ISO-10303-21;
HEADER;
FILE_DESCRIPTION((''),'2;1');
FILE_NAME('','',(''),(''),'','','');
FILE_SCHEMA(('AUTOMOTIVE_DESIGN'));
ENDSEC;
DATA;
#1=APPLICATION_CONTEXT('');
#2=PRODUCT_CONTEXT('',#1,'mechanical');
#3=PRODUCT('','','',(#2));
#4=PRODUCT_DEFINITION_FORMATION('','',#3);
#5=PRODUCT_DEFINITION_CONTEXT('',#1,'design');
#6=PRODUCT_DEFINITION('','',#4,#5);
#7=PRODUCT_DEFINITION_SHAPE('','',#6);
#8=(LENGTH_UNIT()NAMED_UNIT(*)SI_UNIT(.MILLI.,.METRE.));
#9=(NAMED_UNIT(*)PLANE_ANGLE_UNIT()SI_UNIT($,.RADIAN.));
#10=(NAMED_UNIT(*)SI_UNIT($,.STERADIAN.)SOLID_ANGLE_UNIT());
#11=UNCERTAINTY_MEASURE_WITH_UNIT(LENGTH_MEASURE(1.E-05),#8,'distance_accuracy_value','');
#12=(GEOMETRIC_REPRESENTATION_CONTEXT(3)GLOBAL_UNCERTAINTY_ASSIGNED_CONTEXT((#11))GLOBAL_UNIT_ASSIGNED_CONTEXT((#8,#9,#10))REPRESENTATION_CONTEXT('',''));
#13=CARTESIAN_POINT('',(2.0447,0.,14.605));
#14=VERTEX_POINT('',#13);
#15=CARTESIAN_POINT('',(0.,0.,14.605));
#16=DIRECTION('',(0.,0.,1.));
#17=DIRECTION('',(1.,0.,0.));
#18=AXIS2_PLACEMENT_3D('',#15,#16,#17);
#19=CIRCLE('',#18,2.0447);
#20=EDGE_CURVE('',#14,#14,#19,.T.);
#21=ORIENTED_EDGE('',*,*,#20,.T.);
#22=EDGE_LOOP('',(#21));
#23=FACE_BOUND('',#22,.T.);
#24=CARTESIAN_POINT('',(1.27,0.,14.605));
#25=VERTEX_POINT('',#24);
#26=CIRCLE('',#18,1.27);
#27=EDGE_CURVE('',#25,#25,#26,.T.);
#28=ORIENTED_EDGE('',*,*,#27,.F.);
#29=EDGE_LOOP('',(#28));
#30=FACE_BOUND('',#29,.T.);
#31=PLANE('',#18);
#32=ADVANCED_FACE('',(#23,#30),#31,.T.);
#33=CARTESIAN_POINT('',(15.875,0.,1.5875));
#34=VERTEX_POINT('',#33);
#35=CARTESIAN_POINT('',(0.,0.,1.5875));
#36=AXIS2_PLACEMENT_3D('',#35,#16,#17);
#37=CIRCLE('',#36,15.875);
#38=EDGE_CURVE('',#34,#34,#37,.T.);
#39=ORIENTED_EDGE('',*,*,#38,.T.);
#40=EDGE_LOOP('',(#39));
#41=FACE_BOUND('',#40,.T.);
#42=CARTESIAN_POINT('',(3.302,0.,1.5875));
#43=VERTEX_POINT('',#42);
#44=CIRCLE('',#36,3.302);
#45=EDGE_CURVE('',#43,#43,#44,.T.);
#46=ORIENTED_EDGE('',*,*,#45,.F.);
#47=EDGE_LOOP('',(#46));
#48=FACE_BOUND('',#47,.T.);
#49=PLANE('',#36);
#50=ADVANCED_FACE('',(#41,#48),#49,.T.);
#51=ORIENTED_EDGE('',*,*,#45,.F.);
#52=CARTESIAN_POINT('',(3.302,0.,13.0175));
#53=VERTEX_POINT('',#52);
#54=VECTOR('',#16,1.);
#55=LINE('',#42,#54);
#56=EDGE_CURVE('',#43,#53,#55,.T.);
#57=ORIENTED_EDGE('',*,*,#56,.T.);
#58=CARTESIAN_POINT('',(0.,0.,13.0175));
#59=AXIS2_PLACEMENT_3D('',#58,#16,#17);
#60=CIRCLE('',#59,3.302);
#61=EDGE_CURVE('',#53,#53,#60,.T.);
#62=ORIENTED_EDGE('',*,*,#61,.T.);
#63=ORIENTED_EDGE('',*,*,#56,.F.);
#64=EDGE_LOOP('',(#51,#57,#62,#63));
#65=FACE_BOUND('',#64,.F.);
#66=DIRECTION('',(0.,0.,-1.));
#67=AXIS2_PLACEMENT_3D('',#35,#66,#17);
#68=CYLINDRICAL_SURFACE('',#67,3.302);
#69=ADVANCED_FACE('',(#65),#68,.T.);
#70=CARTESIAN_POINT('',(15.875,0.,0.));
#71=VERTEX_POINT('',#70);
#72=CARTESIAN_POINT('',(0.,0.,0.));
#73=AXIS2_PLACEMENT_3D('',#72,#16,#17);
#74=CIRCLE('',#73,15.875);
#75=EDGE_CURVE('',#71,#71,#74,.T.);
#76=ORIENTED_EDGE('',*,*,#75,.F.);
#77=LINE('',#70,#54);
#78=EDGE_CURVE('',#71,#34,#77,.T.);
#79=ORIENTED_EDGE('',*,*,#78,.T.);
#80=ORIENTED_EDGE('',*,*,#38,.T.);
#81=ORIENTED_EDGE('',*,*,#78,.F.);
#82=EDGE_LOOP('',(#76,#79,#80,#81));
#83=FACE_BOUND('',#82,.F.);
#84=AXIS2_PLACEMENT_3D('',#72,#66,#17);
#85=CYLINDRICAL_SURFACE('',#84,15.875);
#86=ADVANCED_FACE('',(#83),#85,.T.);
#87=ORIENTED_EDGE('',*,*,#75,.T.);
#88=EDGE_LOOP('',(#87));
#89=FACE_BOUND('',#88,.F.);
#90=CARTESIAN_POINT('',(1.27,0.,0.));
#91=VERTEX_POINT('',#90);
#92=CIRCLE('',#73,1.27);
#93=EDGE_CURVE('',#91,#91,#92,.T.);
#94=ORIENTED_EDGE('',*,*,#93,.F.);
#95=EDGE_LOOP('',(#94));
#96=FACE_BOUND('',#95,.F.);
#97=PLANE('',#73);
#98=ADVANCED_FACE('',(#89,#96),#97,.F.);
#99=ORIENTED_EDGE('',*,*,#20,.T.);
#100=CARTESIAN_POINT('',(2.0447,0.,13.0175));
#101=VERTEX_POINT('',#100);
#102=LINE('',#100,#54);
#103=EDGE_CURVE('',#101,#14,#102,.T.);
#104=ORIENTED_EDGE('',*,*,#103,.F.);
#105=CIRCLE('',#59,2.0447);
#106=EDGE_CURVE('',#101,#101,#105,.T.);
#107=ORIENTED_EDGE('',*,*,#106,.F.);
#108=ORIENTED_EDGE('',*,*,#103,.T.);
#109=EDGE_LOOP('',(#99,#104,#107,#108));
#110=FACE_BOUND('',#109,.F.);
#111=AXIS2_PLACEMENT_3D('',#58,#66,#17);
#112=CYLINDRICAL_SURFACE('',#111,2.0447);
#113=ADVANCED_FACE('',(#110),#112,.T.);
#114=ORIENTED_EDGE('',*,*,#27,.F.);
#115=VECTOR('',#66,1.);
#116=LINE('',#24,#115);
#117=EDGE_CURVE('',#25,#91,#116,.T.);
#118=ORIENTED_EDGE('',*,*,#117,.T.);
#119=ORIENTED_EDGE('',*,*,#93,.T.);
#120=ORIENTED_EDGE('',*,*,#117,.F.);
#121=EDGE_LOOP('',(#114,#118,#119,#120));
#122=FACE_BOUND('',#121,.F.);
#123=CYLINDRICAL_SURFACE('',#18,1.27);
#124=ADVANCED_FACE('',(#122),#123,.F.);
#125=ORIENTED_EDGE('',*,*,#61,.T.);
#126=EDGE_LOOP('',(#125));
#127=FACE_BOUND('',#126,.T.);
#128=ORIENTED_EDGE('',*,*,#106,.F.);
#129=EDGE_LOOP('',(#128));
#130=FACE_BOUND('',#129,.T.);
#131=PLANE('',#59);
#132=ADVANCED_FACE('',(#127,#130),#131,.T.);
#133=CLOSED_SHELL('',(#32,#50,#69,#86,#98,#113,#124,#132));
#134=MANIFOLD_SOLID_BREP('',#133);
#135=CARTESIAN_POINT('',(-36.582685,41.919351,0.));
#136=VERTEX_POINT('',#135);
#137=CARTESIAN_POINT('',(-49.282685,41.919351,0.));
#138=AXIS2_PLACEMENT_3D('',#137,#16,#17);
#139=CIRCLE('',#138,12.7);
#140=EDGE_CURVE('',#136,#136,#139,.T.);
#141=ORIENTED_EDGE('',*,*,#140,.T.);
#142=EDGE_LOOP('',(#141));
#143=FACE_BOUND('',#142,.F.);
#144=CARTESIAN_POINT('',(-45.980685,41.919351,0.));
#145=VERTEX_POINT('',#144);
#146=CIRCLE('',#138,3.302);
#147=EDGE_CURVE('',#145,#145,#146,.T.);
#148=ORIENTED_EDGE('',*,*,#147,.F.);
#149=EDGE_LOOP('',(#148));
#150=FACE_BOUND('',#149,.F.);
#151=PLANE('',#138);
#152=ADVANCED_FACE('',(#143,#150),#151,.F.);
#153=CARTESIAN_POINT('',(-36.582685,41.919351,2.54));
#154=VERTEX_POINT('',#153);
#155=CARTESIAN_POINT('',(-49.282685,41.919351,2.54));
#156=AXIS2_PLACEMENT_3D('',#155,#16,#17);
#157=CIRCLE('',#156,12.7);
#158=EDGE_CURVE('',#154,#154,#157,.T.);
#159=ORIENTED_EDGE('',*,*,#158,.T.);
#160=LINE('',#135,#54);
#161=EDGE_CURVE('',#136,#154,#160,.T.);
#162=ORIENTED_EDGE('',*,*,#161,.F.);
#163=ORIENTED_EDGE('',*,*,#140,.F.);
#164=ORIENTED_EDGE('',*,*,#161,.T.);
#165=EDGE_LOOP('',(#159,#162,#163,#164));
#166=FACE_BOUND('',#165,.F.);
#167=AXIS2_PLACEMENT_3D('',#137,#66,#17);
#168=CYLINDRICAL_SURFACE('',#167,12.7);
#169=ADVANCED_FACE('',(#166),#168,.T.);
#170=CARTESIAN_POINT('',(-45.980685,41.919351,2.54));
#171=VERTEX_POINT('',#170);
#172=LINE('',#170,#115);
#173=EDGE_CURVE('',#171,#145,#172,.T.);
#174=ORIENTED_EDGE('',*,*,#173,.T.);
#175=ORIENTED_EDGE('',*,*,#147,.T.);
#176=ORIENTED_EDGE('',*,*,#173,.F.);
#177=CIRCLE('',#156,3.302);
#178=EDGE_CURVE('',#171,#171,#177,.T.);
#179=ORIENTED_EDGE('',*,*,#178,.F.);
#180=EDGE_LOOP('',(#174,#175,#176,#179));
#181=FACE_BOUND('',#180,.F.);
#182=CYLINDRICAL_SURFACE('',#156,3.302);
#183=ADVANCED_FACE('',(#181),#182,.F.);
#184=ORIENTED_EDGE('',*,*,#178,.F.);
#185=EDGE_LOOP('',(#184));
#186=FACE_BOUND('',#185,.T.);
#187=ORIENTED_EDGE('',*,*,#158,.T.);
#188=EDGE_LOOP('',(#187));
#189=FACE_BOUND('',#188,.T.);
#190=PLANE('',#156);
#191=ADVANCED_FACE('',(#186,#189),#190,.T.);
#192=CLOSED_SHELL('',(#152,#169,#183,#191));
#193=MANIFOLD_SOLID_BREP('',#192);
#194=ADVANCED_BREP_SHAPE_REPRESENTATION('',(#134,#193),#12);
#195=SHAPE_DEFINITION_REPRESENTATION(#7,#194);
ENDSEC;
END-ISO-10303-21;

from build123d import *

# Parameters (mm, degrees)
F0_R      = 15.875
F2_DEPTH  = 1.5875
F3_R      = 3.302
F4_DEPTH  = 11.43
F5_R      = 2.0447
F6_DEPTH  = 1.5875
F7_R      = 1.27
F8_DEPTH  = 19.05
F9_R      = 2.667
F10_DEPTH = 6.35
F11_R     = 12.7
F12_DEPTH = 2.54
F13_R     = 3.302
F14_DEPTH = 2.54


with BuildPart() as f2:
    # F0 (on Top) → F2 (new body)
    with BuildSketch(Plane.XY):
        Circle(F0_R)
    extrude(amount=F2_DEPTH)

    # F3 (on face) → F4 (join)
    with BuildSketch(Plane.XY.offset(1.5875)):
        Circle(F3_R)
    extrude(amount=F4_DEPTH)

    # F5 (on face) → F6 (join)
    with BuildSketch(Plane.XY.offset(13.0175)):
        Circle(F5_R)
    extrude(amount=F6_DEPTH)

    # F7 (on face) → F8 (cut)
    with BuildSketch(Plane.XY.offset(14.605)):
        Circle(F7_R)
    extrude(amount=-F8_DEPTH, mode=Mode.SUBTRACT)

    # F9 (on face) → F10 (cut)
    with BuildSketch(Plane.XY):
        Circle(F9_R)
    extrude(amount=-F10_DEPTH, mode=Mode.SUBTRACT)


with BuildPart() as f12:
    # F11 (on Top) → F12 (new body)
    with BuildSketch(Plane.XY):
        with Locations((-49.282685, 41.919351)):
            Circle(F11_R)
    extrude(amount=F12_DEPTH)

    # F13 (on face) → F14 (cut)
    with BuildSketch(Plane.XY.offset(2.54)):
        with Locations((-49.282685, 41.919351)):
            Circle(F13_R)
    extrude(amount=-F14_DEPTH, mode=Mode.SUBTRACT)


solid = Compound([f2.part, f12.part])
